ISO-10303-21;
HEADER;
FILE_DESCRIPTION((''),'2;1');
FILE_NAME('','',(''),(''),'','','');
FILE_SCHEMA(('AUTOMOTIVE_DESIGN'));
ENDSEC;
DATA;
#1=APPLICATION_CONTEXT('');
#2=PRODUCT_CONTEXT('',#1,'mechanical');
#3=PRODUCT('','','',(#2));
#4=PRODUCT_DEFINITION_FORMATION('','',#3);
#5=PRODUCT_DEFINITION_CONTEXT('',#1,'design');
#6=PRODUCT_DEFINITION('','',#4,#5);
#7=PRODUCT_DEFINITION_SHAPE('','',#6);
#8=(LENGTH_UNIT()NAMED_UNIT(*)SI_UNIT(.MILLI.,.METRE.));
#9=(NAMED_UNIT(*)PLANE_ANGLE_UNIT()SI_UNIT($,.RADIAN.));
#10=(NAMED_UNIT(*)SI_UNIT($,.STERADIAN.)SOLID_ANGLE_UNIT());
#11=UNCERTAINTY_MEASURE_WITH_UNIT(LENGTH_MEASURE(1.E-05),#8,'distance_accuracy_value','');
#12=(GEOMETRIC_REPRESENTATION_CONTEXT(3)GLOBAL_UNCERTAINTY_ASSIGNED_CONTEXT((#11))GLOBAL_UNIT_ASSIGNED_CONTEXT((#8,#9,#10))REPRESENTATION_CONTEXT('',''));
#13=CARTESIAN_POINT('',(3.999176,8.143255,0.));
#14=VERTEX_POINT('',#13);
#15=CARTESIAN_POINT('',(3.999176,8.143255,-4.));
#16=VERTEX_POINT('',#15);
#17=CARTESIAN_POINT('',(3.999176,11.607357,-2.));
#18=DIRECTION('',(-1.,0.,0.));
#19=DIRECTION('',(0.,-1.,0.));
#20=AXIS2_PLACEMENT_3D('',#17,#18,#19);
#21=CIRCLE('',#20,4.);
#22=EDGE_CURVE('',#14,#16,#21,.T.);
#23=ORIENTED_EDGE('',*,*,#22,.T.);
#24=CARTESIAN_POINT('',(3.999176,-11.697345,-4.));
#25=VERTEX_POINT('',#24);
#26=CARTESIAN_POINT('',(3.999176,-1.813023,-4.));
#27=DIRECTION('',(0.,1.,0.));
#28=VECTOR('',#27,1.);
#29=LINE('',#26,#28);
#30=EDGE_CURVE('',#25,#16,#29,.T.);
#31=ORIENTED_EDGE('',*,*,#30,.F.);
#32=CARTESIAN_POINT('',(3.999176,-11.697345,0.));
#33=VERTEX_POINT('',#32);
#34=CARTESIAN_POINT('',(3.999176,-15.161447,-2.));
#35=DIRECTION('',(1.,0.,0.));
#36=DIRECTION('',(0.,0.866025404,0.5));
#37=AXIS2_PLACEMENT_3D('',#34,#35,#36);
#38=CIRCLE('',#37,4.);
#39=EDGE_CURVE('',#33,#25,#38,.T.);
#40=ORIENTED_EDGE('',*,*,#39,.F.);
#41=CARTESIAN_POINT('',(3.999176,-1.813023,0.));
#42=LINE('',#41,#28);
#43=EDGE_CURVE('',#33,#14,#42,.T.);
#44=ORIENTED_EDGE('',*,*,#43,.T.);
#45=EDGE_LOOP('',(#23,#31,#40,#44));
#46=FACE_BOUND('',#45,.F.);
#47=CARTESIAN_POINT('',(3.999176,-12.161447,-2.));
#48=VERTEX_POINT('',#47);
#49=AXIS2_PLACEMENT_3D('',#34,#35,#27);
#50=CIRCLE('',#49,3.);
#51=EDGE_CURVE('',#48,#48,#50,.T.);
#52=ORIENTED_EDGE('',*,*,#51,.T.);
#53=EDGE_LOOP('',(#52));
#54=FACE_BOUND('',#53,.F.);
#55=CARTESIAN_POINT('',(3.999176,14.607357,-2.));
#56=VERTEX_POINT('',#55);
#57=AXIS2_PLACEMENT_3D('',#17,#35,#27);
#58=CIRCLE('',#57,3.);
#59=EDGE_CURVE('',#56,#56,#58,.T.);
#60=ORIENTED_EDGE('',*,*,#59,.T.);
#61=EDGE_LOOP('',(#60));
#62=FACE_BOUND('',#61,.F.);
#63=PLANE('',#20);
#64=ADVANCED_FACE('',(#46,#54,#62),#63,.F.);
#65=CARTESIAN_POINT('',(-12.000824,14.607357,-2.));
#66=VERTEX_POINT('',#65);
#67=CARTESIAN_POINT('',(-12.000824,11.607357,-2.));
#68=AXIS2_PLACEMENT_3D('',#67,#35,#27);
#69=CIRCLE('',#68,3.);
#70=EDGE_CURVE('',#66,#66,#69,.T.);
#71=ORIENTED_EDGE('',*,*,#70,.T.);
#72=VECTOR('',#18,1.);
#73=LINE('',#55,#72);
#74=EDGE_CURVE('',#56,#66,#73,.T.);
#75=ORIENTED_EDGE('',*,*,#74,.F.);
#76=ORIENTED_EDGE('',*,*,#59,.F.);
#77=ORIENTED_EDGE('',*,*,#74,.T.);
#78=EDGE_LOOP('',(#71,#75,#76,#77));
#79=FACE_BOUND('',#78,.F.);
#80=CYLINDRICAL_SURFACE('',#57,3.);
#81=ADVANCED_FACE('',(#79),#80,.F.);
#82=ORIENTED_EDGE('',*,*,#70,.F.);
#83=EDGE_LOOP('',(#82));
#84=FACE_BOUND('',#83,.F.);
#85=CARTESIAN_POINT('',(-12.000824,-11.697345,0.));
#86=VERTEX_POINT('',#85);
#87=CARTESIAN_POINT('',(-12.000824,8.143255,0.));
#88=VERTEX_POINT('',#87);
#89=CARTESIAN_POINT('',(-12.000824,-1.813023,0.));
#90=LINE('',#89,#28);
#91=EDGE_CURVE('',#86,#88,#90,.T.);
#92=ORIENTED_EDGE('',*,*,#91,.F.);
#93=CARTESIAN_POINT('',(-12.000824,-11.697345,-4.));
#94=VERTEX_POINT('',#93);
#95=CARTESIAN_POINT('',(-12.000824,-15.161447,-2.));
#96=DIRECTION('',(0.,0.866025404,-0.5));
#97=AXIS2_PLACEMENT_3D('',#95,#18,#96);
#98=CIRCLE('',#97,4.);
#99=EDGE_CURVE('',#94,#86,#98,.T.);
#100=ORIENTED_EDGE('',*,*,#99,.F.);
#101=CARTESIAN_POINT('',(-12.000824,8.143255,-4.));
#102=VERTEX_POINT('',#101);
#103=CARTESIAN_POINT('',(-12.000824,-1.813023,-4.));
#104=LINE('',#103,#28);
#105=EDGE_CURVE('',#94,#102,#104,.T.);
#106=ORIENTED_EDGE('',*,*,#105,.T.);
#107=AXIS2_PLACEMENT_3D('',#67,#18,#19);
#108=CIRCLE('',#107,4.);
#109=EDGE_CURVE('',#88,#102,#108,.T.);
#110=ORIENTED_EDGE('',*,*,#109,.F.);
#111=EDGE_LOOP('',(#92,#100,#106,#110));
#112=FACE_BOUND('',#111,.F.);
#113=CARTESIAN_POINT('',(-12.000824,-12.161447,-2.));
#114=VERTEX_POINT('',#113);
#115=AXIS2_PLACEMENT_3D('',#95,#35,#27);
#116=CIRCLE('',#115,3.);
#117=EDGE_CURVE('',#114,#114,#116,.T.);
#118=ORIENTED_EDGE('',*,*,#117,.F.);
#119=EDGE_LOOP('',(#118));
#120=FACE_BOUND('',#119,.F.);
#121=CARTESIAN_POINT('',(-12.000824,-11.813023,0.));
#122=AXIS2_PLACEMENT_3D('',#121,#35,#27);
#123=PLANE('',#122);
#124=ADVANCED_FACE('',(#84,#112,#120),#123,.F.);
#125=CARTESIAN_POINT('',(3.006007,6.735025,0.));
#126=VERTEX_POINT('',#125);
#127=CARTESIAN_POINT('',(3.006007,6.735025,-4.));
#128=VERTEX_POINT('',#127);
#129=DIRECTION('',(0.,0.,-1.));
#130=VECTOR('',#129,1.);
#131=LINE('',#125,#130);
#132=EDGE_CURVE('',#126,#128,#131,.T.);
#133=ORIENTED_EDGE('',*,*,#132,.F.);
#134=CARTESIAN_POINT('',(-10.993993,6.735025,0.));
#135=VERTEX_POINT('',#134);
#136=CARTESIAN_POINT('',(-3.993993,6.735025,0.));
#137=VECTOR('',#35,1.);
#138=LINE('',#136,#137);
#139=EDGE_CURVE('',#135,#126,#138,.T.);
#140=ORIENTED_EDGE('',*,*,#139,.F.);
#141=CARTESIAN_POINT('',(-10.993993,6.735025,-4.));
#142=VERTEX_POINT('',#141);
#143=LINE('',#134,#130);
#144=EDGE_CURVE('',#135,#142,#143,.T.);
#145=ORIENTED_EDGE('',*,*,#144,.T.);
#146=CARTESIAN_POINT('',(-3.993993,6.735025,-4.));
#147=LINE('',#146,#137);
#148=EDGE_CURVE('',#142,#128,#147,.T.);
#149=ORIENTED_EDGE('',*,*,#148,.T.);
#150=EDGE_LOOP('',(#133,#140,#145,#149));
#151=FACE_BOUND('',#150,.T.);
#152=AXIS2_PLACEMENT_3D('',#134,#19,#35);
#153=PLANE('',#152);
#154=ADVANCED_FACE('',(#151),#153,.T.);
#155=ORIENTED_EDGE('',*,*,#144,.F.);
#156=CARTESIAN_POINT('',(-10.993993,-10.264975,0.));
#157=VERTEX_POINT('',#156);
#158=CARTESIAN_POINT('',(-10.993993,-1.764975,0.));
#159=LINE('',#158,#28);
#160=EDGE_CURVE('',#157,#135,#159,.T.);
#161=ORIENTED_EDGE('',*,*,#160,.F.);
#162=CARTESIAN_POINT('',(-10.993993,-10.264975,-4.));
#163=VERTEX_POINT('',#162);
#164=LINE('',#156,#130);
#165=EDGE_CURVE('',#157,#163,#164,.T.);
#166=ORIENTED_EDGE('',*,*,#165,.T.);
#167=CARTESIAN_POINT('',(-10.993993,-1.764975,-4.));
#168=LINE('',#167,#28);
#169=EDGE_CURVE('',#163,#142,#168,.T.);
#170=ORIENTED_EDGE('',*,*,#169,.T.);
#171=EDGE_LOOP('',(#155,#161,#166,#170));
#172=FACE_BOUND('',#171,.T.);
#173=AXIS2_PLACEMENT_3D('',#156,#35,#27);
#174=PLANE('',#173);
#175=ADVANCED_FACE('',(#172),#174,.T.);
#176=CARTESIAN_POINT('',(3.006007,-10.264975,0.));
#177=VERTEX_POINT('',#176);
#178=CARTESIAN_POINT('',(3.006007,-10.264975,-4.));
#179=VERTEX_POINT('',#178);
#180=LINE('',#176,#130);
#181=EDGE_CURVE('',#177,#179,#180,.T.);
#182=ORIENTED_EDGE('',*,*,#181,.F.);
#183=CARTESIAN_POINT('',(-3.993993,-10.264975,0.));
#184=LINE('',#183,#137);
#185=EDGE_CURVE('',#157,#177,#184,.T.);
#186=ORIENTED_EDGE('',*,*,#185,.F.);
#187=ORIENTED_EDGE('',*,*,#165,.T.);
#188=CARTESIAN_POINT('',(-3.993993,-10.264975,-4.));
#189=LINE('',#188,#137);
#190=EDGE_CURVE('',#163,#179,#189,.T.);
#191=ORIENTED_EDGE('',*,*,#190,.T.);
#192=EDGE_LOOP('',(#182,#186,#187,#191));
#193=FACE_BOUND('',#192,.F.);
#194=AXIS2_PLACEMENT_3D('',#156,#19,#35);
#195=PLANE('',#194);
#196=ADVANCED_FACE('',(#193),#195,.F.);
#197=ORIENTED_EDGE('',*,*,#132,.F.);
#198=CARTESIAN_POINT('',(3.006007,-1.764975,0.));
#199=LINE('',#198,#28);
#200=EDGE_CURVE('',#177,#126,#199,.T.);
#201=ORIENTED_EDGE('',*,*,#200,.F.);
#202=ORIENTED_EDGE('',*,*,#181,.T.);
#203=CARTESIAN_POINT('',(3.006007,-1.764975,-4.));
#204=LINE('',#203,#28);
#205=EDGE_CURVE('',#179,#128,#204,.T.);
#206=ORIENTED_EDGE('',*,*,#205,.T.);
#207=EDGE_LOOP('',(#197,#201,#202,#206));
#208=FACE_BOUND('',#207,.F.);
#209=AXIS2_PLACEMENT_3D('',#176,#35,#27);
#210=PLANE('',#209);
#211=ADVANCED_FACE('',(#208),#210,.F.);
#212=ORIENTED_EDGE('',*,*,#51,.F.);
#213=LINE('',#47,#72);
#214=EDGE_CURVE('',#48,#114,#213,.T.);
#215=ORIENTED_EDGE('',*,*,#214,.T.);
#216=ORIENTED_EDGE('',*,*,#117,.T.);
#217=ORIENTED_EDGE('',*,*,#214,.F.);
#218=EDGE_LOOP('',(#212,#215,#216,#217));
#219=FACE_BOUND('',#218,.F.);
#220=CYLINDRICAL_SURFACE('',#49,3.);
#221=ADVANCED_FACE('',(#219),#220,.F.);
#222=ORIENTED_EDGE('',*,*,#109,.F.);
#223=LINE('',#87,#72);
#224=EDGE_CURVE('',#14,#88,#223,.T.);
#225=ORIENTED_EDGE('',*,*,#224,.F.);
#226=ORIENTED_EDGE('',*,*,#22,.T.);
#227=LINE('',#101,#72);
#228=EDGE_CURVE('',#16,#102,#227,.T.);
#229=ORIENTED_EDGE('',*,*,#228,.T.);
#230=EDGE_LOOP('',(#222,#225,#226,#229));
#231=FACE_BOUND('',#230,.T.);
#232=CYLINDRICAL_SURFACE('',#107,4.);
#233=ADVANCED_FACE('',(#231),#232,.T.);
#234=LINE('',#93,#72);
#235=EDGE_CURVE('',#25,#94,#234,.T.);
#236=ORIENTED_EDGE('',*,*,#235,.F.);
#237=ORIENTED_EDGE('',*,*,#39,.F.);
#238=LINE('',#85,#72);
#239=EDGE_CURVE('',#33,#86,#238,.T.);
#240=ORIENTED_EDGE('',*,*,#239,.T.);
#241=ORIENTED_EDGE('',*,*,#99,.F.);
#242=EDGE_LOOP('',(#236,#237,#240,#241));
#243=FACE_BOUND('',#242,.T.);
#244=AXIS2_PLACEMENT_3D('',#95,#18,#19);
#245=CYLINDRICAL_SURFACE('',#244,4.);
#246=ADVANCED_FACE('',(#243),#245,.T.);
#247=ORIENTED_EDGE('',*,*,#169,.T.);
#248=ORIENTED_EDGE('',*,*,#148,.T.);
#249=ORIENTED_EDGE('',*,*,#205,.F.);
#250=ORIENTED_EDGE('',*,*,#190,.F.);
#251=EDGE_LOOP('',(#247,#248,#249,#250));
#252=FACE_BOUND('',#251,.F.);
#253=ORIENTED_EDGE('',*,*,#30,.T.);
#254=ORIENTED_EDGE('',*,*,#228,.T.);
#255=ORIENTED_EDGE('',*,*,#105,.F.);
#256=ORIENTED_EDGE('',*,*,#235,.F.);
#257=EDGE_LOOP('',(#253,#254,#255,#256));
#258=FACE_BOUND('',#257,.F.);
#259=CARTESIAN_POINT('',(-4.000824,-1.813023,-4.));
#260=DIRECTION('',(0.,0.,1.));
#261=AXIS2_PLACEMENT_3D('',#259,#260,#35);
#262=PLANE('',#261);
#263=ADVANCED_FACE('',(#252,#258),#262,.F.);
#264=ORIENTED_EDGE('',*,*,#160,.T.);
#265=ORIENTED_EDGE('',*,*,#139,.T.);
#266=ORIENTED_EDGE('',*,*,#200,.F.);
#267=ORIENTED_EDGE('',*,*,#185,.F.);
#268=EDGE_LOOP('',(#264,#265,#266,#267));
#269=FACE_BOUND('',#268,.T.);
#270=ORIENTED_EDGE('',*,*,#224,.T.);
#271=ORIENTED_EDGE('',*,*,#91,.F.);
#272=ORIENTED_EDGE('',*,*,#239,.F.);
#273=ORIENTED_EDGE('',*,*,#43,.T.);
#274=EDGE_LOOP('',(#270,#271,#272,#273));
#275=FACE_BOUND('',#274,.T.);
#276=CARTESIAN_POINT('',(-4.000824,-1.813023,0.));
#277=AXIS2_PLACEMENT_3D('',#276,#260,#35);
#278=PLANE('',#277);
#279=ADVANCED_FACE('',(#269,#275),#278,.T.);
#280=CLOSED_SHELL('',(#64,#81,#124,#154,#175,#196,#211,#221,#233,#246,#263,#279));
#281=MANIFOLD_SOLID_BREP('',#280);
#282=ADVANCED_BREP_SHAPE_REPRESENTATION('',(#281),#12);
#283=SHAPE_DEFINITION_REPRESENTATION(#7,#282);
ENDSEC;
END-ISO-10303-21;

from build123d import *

# Parameters (mm, degrees)
F0_W     = 16
F0_H     = 20
F0_W_2   = 14
F0_H_2   = 17
F1_DEPTH = 4
F2_R     = 4
F3_DEPTH = 16
F4_R     = 3
F5_DEPTH = 16


with BuildPart() as f1:
    # F0 (on Top) → F1 (new body)
    with BuildSketch(Plane.XY):
        with Locations((-4.000824, -1.813023)):
            Rectangle(F0_W, F0_H)
        with Locations((-3.993993, -1.764975)):
            Rectangle(F0_W_2, F0_H_2, mode=Mode.SUBTRACT)
    extrude(amount=-F1_DEPTH)

    # F2 (on face) → F3 (join)
    with BuildSketch(Plane(origin=(-12.000824, 0, 0), x_dir=(0, -1, 0), z_dir=(-1, 0, 0))):
        with Locations((-11.607357, -2)):
            Circle(F2_R)
        with Locations((15.161447, -2)):
            Circle(F2_R)
    extrude(amount=-F3_DEPTH)

    # F4 (on face) → F5 (cut)
    with BuildSketch(Plane.YZ.offset(3.999176)):
        with Locations((-15.161447, -2)):
            Circle(F4_R)
        with Locations((11.607357, -2)):
            Circle(F4_R)
    extrude(amount=-F5_DEPTH, mode=Mode.SUBTRACT)


solid = f1.part
